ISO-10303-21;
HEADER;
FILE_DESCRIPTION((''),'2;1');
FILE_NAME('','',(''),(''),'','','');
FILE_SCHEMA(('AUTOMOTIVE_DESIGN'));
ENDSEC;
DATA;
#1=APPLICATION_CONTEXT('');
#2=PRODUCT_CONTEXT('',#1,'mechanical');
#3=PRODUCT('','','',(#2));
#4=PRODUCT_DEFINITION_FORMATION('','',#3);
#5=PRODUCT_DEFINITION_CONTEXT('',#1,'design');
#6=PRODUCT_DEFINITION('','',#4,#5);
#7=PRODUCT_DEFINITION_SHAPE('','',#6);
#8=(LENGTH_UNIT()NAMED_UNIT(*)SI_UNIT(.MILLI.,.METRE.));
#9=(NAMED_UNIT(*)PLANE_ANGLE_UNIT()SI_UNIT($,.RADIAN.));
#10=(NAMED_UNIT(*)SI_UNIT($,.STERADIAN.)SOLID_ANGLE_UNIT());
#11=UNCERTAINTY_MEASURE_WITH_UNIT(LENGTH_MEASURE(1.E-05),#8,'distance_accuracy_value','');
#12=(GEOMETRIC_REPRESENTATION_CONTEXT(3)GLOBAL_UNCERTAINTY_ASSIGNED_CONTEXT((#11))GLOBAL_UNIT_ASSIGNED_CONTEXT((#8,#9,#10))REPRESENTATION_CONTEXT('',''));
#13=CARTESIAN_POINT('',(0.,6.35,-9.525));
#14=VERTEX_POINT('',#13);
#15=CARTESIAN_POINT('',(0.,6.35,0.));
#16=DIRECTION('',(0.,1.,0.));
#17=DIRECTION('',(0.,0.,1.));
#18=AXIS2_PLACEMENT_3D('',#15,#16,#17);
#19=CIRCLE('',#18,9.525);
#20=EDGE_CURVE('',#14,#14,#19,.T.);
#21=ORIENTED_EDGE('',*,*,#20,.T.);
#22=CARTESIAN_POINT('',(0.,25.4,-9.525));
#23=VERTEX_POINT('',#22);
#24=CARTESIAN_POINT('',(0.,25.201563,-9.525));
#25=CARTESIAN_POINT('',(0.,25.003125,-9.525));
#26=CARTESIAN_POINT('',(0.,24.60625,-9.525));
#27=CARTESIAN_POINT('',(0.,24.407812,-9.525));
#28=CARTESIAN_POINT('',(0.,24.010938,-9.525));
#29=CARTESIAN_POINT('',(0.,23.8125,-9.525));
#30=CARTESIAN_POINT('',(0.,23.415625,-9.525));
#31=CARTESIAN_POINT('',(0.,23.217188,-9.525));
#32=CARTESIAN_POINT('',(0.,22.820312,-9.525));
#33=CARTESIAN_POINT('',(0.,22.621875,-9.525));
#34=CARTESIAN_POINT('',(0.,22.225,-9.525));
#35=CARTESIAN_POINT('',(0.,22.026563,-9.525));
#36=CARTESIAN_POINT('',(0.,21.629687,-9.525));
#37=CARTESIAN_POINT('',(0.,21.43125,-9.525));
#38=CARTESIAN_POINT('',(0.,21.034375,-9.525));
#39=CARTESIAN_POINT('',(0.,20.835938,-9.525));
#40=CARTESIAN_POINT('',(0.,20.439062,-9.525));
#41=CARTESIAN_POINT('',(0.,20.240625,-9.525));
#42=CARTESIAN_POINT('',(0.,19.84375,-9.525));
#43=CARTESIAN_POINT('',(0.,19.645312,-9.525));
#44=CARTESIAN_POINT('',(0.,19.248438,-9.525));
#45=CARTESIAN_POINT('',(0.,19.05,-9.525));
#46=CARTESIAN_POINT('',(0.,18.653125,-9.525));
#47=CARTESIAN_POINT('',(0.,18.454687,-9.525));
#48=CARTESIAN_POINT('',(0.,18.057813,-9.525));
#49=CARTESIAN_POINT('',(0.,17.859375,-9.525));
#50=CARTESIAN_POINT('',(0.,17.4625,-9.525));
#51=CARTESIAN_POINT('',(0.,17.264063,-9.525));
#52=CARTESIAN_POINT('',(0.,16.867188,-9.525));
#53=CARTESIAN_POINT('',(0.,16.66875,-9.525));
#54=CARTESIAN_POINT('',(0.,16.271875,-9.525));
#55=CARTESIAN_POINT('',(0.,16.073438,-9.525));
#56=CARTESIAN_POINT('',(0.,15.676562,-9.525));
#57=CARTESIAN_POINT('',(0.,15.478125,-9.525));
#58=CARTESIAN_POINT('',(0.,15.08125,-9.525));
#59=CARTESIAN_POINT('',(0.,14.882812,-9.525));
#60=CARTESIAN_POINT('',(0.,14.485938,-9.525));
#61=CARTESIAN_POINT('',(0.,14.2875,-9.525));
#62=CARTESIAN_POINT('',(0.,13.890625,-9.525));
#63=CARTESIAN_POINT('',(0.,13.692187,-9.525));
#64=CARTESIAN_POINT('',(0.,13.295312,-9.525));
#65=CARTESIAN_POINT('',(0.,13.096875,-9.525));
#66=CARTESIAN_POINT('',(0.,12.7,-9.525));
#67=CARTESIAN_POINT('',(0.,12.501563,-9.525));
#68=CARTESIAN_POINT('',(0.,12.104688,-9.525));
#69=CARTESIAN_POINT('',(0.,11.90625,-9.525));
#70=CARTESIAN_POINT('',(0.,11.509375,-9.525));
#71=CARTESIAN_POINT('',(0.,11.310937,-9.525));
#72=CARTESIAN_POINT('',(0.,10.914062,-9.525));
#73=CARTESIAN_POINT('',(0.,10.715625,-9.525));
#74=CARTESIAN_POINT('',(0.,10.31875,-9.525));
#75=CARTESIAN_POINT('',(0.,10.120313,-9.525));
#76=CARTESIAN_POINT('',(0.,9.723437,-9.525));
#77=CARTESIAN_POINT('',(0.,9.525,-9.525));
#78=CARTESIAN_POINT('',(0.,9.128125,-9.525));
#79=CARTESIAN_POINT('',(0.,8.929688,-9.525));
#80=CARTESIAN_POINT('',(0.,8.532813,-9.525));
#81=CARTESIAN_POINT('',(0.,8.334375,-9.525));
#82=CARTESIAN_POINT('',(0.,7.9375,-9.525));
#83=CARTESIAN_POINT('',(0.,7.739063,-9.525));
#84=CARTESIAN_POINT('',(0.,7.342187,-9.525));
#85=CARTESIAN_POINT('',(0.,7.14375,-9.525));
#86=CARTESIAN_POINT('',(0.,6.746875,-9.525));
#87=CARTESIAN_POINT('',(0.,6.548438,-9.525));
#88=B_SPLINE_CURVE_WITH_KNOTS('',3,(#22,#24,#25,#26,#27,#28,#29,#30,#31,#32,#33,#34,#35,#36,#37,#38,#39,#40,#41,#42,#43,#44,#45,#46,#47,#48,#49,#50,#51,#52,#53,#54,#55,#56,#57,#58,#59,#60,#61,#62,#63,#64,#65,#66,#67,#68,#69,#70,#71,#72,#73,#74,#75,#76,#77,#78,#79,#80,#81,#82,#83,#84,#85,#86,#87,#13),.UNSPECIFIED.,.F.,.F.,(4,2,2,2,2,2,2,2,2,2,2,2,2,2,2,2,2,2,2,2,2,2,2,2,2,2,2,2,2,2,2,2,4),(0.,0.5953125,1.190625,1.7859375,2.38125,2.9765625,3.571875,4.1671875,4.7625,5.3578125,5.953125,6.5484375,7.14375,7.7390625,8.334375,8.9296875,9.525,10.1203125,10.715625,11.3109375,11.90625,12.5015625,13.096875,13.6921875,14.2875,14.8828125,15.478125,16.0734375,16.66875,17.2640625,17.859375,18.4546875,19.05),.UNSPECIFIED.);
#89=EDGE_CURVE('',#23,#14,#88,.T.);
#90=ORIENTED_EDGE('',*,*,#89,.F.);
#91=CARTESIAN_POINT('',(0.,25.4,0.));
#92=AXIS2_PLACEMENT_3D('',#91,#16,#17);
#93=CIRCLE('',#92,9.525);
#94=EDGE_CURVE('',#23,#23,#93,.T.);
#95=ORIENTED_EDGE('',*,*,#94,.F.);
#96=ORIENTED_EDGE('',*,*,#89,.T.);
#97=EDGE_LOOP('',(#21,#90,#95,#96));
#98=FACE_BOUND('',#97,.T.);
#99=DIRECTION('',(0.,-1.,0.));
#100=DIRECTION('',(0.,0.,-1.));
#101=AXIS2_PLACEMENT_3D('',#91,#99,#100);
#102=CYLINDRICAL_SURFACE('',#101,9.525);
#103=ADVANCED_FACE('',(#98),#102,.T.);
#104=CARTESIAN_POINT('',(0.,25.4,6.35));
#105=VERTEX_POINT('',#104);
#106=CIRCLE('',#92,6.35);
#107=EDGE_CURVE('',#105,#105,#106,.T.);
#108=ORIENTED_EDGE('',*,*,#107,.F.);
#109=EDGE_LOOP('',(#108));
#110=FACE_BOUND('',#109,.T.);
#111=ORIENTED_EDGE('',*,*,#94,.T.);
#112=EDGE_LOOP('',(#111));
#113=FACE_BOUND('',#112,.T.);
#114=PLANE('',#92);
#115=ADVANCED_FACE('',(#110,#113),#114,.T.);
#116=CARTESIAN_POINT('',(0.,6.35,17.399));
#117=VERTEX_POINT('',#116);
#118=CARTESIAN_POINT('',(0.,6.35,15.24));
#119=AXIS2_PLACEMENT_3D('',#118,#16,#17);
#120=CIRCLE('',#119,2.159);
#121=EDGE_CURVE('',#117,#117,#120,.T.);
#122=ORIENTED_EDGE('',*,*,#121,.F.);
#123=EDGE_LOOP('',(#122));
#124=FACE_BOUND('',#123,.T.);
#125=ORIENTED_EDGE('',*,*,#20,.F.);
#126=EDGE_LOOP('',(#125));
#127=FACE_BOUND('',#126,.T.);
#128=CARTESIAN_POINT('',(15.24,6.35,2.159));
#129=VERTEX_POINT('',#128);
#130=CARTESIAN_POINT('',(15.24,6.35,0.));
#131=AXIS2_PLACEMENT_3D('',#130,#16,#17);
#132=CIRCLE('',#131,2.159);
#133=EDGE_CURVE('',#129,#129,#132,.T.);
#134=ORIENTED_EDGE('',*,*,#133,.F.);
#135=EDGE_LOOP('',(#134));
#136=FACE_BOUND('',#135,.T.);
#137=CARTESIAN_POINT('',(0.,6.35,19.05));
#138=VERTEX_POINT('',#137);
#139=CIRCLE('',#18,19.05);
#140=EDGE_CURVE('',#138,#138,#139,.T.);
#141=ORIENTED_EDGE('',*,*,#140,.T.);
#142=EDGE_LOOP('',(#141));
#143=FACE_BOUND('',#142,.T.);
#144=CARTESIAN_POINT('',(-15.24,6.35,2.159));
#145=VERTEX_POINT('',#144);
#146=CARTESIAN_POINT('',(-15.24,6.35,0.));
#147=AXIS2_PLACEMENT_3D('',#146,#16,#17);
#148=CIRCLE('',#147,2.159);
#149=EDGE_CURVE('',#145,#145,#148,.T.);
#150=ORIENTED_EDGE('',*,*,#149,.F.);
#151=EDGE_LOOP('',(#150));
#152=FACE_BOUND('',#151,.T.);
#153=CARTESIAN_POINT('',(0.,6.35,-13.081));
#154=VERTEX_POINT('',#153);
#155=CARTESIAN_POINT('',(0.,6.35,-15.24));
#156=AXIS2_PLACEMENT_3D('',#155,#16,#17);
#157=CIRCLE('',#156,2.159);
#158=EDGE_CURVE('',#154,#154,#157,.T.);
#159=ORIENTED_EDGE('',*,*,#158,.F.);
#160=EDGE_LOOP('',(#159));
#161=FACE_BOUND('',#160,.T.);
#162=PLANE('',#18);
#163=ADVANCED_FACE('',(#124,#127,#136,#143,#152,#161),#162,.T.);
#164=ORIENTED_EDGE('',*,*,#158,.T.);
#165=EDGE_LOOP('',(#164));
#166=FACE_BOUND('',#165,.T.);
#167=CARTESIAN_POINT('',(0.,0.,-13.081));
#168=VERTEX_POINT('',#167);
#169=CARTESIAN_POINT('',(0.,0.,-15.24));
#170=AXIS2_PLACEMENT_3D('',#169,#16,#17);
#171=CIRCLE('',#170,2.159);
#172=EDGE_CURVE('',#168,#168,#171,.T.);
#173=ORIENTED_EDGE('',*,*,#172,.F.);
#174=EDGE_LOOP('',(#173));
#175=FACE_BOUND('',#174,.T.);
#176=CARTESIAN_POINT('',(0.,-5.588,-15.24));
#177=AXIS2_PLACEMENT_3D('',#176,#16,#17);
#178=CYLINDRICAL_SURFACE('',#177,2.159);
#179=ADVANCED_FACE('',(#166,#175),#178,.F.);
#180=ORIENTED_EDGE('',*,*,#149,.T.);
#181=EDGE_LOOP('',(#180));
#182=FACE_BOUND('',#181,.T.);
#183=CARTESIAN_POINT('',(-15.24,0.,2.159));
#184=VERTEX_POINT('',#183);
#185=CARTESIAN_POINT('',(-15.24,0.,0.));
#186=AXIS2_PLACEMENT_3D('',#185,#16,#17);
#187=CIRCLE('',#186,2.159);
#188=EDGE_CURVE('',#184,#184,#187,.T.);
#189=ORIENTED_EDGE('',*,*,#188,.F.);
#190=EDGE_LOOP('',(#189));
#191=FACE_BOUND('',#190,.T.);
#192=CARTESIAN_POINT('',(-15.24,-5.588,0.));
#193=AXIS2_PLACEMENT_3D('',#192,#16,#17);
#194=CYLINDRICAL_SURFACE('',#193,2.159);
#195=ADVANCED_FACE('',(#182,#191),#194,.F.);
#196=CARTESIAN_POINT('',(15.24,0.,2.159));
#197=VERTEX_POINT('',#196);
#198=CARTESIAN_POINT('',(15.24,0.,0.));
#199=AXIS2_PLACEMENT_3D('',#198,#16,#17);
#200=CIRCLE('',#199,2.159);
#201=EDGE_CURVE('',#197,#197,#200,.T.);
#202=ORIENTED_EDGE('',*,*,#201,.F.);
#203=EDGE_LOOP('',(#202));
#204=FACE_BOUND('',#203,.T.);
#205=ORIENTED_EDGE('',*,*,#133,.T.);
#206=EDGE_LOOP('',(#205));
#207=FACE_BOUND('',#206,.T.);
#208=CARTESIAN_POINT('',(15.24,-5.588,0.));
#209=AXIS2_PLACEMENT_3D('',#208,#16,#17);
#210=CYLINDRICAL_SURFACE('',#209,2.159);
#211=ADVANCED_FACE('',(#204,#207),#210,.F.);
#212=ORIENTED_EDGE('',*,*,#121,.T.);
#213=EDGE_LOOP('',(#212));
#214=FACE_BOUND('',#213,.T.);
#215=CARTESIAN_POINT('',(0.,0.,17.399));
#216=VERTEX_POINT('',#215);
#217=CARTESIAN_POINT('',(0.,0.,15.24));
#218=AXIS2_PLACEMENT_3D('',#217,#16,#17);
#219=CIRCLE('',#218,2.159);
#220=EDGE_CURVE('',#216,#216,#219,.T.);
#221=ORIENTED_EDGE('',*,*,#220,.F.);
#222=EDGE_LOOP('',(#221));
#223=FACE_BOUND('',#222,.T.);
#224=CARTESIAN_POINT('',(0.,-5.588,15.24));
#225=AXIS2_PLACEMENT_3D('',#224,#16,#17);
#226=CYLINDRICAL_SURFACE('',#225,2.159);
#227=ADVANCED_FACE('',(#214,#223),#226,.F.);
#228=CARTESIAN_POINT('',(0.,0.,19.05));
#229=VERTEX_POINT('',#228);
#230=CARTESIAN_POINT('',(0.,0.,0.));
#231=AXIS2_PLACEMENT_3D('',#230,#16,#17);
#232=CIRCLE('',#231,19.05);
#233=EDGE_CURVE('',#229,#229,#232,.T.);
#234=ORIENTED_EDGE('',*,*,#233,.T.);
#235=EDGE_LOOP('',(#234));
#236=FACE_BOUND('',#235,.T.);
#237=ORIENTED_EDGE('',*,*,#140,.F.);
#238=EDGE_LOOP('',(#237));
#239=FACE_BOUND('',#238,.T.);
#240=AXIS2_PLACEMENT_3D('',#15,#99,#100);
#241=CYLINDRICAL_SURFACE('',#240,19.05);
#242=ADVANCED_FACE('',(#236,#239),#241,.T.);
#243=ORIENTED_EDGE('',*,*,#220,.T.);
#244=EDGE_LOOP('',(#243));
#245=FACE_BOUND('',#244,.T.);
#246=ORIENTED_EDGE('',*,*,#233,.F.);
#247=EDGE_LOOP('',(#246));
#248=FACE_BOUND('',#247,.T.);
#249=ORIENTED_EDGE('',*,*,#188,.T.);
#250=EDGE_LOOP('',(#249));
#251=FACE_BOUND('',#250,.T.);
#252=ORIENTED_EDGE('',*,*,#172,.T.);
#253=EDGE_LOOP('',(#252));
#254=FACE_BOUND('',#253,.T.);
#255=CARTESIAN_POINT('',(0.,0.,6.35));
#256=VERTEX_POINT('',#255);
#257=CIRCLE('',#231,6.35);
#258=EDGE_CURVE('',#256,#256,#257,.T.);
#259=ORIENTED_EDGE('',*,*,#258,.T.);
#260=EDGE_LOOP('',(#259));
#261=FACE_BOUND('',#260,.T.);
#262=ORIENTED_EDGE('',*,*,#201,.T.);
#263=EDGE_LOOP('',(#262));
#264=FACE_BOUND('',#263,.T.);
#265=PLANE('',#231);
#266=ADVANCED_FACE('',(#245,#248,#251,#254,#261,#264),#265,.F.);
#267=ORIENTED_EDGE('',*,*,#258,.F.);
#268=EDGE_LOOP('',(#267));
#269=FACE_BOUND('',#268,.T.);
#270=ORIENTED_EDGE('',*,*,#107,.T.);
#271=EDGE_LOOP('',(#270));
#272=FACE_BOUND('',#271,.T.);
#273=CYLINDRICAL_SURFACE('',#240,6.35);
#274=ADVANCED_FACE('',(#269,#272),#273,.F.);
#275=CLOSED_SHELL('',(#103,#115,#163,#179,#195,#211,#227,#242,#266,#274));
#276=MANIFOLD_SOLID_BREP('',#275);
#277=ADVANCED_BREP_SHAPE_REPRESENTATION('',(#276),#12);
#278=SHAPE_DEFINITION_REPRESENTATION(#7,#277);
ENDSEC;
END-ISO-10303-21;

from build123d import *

# Parameters (mm, degrees)
SKETCH1_R           = 19.05
SKETCH1_R_2         = 6.35
BOSS_EXTRUDE1_DEPTH = 6.35
SKETCH2_R           = 9.525
SKETCH2_R_2         = 6.35
BOSS_EXTRUDE2_DEPTH = 19.05
SKETCH3_R           = 2.159
CUT_EXTRUDE1_DEPTH  = 11.938


with BuildPart() as part:
    # Sketch1 → Boss-Extrude1 (new body)
    with BuildSketch(Plane(origin=(0, 0, 0), x_dir=(1, 0, 0), z_dir=(0, 1, 0))):
        with Locations(Location((0, 0, 0), (0, 0, 270))):
            Circle(SKETCH1_R)
        with Locations(Location((0, 0, 0), (0, 0, 270))):
            Circle(SKETCH1_R_2, mode=Mode.SUBTRACT)
    extrude(amount=BOSS_EXTRUDE1_DEPTH)

    # Sketch2 → Boss-Extrude2 (add)
    with BuildSketch(Plane(origin=(0, 6.35, 0), x_dir=(1, 0, 0), z_dir=(0, 1, 0))):
        with Locations(Location((0, 0, 0), (0, 0, 90))):
            Circle(SKETCH2_R)
        with Locations(Location((0, 0, 0), (0, 0, 270))):
            Circle(SKETCH2_R_2, mode=Mode.SUBTRACT)
    extrude(amount=BOSS_EXTRUDE2_DEPTH)

    # Sketch3 → Cut-Extrude1 (cut)
    with BuildSketch(Plane(origin=(0, 6.35, 0), x_dir=(1, 0, 0), z_dir=(0, 1, 0))):
        with Locations(Location((0, 15.24, 0), (0, 0, 270))):
            Circle(SKETCH3_R)
        with Locations(Location((15.24, 0, 0), (0, 0, 270))):
            Circle(SKETCH3_R)
        with Locations(Location((0, -15.24, 0), (0, 0, 270))):
            Circle(SKETCH3_R)
        with Locations(Location((-15.24, 0, 0), (0, 0, 270))):
            Circle(SKETCH3_R)
    extrude(amount=-CUT_EXTRUDE1_DEPTH, mode=Mode.SUBTRACT)


solid = part.part
